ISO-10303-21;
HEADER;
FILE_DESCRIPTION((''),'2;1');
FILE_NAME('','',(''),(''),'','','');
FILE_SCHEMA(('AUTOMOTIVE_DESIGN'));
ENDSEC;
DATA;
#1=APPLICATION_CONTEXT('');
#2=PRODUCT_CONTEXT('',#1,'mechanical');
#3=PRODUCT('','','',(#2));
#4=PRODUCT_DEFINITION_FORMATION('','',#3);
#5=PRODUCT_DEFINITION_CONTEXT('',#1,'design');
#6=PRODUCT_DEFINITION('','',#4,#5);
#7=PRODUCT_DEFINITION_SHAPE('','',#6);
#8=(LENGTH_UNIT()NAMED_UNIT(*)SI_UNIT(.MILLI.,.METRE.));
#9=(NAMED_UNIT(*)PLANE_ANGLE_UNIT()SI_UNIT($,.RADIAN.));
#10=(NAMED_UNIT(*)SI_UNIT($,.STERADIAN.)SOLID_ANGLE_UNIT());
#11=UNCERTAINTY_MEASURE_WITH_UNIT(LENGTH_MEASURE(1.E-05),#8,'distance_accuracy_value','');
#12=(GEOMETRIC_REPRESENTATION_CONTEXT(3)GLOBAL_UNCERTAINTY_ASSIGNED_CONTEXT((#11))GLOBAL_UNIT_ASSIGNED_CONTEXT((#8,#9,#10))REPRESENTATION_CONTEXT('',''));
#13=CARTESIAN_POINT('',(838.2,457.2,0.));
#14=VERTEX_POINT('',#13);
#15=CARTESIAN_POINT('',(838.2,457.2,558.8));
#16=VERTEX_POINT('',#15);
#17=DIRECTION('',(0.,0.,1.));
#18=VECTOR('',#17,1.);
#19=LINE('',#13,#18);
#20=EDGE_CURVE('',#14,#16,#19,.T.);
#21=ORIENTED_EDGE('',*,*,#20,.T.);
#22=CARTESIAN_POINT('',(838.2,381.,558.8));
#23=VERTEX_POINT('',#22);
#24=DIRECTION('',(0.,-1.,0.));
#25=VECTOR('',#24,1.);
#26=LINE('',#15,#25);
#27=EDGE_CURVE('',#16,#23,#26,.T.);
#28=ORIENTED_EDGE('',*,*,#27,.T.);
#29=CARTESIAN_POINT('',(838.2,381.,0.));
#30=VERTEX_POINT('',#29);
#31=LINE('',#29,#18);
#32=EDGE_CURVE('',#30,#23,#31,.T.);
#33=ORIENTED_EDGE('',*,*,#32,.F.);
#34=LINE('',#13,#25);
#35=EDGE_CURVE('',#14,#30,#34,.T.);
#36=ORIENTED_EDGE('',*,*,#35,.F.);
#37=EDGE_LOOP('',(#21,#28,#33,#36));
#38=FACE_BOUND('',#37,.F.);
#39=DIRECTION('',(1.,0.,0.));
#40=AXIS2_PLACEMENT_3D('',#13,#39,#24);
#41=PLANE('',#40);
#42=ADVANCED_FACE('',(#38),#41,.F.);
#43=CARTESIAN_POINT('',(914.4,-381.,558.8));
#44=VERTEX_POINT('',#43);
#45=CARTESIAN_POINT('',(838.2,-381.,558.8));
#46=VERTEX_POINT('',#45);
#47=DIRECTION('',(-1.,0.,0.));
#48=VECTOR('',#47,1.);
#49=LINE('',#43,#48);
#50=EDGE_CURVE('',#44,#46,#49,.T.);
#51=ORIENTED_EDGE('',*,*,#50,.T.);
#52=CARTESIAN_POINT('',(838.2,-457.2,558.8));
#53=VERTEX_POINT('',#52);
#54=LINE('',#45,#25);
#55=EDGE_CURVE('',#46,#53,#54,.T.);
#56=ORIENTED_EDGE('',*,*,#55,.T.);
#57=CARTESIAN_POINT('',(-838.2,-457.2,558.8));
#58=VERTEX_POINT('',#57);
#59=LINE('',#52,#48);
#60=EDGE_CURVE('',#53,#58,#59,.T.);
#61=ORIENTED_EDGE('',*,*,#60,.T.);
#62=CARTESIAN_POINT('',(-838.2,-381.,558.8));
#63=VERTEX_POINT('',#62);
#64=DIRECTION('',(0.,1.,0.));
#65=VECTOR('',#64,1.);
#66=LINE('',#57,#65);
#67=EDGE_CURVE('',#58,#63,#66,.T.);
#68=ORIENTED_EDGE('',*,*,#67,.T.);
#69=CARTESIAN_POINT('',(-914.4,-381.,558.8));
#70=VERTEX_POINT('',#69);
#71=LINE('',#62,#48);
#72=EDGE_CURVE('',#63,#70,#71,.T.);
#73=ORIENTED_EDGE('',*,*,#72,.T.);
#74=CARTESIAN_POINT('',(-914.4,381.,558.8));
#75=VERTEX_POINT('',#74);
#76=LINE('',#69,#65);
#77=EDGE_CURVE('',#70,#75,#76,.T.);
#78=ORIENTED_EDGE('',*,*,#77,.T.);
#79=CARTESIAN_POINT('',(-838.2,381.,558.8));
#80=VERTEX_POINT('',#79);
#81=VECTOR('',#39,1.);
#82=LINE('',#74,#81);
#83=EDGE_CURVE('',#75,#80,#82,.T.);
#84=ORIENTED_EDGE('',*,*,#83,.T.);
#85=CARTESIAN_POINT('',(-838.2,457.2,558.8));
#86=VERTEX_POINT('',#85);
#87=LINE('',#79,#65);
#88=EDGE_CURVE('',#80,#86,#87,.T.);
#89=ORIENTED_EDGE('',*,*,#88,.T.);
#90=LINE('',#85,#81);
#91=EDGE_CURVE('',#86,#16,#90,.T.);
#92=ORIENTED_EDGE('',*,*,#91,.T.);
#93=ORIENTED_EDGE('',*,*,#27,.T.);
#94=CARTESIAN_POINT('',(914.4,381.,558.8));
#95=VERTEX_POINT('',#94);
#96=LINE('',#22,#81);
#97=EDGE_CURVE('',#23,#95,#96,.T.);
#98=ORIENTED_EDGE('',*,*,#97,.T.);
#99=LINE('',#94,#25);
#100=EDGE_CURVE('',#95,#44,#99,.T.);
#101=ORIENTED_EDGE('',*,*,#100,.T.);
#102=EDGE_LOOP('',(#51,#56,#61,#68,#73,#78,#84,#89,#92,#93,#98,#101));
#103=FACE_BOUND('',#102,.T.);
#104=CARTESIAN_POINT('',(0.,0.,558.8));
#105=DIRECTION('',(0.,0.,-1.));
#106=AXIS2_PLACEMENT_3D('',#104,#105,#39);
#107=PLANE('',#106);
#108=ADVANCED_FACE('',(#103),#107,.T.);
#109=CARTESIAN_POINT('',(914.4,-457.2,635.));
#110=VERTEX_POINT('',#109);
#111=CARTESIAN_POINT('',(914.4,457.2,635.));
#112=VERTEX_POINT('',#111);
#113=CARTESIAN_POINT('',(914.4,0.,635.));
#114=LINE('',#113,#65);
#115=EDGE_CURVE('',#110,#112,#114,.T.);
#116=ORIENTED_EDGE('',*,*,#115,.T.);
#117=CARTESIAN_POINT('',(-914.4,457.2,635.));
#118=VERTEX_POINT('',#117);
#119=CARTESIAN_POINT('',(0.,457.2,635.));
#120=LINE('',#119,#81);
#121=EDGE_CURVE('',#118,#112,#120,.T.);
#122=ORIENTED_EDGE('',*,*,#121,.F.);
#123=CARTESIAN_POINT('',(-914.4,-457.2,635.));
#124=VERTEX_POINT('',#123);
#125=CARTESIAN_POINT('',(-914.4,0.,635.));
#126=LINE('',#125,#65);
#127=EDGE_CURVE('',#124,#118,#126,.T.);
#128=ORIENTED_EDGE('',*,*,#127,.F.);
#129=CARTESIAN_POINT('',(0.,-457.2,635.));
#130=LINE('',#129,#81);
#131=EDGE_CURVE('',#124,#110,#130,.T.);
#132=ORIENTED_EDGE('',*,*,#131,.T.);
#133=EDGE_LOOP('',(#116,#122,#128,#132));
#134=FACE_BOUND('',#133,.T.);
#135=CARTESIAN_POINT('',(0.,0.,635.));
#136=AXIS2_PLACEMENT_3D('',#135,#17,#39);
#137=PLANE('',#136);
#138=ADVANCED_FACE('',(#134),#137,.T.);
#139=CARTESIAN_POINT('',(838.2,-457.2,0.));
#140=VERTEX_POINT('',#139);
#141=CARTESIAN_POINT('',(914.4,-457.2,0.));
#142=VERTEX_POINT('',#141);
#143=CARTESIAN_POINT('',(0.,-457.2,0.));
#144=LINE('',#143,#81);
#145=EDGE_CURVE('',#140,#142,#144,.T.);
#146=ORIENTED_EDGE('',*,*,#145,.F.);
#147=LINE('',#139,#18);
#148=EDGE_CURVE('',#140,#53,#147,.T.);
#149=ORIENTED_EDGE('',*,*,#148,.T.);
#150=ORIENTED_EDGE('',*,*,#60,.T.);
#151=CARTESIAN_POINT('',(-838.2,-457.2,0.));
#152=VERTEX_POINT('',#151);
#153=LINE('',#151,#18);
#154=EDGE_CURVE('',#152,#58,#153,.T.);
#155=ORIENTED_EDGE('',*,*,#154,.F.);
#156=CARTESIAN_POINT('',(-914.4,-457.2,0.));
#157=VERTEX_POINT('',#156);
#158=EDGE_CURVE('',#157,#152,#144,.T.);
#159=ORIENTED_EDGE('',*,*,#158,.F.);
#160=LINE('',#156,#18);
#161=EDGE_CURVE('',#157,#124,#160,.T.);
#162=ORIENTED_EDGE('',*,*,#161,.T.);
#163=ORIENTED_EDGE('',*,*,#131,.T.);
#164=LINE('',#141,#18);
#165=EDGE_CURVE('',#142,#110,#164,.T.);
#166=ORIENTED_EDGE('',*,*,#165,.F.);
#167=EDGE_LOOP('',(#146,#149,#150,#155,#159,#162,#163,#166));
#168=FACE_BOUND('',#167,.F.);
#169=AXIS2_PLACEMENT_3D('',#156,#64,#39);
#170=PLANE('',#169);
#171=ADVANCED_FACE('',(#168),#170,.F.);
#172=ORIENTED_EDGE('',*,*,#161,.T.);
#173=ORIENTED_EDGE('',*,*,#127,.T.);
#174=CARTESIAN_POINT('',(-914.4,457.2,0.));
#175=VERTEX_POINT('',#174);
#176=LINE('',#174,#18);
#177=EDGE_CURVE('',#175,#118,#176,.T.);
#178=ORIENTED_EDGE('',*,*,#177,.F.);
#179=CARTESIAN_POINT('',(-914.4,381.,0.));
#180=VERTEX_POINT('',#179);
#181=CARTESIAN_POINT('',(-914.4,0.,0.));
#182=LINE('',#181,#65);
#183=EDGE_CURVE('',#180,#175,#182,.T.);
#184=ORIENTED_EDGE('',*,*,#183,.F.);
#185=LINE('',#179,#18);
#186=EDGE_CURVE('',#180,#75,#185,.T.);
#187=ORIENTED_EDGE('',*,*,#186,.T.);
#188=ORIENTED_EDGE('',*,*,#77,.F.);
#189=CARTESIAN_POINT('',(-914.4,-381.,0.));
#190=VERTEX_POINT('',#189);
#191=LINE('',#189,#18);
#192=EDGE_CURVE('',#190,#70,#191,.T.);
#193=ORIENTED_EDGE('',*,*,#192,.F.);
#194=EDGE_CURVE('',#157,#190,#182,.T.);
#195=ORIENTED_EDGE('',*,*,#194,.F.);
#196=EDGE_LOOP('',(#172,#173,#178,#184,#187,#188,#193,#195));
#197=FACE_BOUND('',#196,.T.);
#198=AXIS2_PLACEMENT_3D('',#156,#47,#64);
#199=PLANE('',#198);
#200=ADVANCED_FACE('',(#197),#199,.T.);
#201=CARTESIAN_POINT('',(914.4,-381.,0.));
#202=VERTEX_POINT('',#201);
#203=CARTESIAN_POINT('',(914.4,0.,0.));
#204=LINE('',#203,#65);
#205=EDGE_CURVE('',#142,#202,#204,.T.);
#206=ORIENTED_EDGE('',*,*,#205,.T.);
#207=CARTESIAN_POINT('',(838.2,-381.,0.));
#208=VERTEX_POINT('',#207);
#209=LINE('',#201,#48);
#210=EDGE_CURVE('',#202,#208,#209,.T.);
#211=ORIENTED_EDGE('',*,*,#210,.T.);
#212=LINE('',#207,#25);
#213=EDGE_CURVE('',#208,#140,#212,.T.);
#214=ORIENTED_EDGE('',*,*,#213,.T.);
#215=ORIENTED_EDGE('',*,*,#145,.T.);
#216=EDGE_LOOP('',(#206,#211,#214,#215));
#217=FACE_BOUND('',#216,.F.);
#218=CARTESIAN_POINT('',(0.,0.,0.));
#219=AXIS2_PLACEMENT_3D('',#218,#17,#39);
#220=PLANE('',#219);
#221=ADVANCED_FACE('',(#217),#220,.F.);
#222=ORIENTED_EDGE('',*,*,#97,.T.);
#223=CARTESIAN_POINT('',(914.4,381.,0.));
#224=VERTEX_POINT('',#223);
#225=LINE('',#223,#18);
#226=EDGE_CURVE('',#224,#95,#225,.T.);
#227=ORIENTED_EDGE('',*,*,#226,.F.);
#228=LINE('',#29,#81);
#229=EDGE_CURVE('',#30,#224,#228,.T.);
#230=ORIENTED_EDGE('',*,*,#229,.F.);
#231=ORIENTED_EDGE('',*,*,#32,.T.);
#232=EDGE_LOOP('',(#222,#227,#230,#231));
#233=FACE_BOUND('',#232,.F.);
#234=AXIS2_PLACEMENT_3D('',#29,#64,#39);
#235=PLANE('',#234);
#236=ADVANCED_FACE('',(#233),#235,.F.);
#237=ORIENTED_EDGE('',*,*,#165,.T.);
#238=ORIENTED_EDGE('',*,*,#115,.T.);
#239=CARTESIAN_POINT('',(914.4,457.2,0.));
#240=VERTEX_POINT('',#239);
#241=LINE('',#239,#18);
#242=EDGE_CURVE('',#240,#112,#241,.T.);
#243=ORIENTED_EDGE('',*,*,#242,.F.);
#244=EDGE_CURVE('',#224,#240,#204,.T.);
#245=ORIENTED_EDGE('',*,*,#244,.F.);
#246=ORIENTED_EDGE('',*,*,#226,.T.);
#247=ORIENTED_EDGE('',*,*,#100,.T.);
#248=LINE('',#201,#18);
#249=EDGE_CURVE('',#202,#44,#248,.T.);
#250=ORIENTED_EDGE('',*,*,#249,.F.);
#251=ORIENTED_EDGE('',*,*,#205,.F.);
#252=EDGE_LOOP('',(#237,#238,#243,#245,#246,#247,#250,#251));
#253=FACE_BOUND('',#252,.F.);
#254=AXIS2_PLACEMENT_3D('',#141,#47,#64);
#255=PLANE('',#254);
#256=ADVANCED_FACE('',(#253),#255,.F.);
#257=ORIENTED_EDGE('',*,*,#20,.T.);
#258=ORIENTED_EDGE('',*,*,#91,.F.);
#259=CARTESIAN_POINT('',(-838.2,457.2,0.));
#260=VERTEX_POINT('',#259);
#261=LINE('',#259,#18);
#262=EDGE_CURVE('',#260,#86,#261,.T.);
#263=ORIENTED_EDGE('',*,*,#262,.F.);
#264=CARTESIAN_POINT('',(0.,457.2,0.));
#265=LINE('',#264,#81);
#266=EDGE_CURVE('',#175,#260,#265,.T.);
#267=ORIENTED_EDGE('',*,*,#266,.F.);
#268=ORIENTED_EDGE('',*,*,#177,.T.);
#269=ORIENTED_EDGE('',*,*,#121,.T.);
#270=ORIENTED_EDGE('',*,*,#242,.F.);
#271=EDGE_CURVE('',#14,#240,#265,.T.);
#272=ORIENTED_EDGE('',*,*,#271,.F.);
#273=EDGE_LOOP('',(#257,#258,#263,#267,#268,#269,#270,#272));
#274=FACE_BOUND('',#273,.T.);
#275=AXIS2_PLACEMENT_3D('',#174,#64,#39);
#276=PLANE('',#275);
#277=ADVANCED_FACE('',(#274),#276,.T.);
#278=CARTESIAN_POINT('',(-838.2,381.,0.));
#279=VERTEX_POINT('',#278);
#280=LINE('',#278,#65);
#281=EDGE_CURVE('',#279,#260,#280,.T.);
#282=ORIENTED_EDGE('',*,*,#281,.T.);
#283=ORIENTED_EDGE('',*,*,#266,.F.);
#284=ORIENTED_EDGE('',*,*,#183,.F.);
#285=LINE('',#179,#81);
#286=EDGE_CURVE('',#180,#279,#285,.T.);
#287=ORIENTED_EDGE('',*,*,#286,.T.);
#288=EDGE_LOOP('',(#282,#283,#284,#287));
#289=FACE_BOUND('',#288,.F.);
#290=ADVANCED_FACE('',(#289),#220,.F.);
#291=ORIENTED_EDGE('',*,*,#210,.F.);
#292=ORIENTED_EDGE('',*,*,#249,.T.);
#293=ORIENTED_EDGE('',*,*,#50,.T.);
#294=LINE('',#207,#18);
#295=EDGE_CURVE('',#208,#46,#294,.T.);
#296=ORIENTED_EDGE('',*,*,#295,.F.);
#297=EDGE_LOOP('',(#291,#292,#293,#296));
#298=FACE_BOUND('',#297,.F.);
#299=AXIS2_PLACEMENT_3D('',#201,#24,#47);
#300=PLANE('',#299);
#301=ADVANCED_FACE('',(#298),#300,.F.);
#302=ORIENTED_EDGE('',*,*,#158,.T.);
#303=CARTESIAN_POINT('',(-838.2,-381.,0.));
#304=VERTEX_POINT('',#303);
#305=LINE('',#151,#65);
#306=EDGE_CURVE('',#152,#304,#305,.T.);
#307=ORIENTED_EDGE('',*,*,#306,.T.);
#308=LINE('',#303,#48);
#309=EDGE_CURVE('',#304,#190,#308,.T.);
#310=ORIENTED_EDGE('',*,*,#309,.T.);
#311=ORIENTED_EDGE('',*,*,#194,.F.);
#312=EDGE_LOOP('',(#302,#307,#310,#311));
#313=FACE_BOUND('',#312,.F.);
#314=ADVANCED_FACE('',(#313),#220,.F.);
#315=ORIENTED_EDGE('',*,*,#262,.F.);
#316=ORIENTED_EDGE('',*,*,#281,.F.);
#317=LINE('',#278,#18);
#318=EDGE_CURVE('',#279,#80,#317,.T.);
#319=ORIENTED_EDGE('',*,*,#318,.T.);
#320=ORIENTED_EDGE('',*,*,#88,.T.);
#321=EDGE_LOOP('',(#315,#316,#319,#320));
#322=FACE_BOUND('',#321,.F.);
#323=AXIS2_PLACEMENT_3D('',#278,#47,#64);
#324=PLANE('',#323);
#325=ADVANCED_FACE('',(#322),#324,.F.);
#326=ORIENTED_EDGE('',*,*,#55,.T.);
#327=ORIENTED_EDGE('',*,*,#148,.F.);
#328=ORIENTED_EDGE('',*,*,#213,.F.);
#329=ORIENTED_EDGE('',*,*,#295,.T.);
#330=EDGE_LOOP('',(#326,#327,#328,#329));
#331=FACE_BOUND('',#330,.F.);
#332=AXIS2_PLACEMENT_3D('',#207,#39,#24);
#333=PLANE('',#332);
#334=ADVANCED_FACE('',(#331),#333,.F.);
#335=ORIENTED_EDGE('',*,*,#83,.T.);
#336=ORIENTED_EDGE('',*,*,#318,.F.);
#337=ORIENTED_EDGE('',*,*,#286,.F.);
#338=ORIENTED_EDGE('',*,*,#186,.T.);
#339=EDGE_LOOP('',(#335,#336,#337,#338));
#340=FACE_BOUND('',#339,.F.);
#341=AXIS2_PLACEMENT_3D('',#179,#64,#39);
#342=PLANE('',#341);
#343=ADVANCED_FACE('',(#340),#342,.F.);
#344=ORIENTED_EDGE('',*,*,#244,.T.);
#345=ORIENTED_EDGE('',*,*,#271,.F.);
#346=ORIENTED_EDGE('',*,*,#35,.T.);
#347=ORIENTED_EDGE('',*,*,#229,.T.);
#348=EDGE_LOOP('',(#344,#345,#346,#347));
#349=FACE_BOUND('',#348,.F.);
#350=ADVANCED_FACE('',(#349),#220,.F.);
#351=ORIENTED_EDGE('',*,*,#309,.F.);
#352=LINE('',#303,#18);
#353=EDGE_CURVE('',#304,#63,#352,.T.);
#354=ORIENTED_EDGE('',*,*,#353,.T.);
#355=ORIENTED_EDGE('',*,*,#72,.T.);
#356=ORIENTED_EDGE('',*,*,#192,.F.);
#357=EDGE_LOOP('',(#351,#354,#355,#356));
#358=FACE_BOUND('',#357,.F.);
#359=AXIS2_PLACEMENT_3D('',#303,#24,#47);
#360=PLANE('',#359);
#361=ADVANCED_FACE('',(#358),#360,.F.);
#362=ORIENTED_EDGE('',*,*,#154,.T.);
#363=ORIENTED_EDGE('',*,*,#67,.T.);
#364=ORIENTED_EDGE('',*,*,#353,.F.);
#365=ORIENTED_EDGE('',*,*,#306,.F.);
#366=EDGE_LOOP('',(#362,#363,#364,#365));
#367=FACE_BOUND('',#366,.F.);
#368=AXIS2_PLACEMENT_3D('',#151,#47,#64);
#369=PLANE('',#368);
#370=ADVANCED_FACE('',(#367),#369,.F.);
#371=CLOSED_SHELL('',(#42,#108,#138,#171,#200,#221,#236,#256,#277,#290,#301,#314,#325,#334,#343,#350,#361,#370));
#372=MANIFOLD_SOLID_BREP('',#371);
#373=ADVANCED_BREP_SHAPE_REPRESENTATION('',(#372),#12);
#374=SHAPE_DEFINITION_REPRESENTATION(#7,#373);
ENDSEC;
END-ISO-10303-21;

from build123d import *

# Parameters (mm, degrees)
F0_W     = 1828.8
F0_H     = 914.4
F1_DEPTH = 635
F3_DEPTH = 558.8


with BuildPart() as f1:
    # F0 (on Top) → F1 (new body)
    with BuildSketch(Plane.XY):
        Rectangle(F0_W, F0_H)
    extrude(amount=F1_DEPTH)

    # F2 (on face) → F3 (cut)
    with BuildSketch(Plane(origin=(0, 0, 0), x_dir=(1, 0, 0), z_dir=(0, 0, -1))):
        Polygon((838.2, 457.2), (-838.2, 457.2), (-838.2, 381), (-914.4, 381), (-914.4, -381), (-838.2, -381), (-838.2, -457.2), (838.2, -457.2), (838.2, -381), (914.4, -381), (914.4, 381), (838.2, 381), align=None)
    extrude(amount=-F3_DEPTH, mode=Mode.SUBTRACT)


solid = f1.part
